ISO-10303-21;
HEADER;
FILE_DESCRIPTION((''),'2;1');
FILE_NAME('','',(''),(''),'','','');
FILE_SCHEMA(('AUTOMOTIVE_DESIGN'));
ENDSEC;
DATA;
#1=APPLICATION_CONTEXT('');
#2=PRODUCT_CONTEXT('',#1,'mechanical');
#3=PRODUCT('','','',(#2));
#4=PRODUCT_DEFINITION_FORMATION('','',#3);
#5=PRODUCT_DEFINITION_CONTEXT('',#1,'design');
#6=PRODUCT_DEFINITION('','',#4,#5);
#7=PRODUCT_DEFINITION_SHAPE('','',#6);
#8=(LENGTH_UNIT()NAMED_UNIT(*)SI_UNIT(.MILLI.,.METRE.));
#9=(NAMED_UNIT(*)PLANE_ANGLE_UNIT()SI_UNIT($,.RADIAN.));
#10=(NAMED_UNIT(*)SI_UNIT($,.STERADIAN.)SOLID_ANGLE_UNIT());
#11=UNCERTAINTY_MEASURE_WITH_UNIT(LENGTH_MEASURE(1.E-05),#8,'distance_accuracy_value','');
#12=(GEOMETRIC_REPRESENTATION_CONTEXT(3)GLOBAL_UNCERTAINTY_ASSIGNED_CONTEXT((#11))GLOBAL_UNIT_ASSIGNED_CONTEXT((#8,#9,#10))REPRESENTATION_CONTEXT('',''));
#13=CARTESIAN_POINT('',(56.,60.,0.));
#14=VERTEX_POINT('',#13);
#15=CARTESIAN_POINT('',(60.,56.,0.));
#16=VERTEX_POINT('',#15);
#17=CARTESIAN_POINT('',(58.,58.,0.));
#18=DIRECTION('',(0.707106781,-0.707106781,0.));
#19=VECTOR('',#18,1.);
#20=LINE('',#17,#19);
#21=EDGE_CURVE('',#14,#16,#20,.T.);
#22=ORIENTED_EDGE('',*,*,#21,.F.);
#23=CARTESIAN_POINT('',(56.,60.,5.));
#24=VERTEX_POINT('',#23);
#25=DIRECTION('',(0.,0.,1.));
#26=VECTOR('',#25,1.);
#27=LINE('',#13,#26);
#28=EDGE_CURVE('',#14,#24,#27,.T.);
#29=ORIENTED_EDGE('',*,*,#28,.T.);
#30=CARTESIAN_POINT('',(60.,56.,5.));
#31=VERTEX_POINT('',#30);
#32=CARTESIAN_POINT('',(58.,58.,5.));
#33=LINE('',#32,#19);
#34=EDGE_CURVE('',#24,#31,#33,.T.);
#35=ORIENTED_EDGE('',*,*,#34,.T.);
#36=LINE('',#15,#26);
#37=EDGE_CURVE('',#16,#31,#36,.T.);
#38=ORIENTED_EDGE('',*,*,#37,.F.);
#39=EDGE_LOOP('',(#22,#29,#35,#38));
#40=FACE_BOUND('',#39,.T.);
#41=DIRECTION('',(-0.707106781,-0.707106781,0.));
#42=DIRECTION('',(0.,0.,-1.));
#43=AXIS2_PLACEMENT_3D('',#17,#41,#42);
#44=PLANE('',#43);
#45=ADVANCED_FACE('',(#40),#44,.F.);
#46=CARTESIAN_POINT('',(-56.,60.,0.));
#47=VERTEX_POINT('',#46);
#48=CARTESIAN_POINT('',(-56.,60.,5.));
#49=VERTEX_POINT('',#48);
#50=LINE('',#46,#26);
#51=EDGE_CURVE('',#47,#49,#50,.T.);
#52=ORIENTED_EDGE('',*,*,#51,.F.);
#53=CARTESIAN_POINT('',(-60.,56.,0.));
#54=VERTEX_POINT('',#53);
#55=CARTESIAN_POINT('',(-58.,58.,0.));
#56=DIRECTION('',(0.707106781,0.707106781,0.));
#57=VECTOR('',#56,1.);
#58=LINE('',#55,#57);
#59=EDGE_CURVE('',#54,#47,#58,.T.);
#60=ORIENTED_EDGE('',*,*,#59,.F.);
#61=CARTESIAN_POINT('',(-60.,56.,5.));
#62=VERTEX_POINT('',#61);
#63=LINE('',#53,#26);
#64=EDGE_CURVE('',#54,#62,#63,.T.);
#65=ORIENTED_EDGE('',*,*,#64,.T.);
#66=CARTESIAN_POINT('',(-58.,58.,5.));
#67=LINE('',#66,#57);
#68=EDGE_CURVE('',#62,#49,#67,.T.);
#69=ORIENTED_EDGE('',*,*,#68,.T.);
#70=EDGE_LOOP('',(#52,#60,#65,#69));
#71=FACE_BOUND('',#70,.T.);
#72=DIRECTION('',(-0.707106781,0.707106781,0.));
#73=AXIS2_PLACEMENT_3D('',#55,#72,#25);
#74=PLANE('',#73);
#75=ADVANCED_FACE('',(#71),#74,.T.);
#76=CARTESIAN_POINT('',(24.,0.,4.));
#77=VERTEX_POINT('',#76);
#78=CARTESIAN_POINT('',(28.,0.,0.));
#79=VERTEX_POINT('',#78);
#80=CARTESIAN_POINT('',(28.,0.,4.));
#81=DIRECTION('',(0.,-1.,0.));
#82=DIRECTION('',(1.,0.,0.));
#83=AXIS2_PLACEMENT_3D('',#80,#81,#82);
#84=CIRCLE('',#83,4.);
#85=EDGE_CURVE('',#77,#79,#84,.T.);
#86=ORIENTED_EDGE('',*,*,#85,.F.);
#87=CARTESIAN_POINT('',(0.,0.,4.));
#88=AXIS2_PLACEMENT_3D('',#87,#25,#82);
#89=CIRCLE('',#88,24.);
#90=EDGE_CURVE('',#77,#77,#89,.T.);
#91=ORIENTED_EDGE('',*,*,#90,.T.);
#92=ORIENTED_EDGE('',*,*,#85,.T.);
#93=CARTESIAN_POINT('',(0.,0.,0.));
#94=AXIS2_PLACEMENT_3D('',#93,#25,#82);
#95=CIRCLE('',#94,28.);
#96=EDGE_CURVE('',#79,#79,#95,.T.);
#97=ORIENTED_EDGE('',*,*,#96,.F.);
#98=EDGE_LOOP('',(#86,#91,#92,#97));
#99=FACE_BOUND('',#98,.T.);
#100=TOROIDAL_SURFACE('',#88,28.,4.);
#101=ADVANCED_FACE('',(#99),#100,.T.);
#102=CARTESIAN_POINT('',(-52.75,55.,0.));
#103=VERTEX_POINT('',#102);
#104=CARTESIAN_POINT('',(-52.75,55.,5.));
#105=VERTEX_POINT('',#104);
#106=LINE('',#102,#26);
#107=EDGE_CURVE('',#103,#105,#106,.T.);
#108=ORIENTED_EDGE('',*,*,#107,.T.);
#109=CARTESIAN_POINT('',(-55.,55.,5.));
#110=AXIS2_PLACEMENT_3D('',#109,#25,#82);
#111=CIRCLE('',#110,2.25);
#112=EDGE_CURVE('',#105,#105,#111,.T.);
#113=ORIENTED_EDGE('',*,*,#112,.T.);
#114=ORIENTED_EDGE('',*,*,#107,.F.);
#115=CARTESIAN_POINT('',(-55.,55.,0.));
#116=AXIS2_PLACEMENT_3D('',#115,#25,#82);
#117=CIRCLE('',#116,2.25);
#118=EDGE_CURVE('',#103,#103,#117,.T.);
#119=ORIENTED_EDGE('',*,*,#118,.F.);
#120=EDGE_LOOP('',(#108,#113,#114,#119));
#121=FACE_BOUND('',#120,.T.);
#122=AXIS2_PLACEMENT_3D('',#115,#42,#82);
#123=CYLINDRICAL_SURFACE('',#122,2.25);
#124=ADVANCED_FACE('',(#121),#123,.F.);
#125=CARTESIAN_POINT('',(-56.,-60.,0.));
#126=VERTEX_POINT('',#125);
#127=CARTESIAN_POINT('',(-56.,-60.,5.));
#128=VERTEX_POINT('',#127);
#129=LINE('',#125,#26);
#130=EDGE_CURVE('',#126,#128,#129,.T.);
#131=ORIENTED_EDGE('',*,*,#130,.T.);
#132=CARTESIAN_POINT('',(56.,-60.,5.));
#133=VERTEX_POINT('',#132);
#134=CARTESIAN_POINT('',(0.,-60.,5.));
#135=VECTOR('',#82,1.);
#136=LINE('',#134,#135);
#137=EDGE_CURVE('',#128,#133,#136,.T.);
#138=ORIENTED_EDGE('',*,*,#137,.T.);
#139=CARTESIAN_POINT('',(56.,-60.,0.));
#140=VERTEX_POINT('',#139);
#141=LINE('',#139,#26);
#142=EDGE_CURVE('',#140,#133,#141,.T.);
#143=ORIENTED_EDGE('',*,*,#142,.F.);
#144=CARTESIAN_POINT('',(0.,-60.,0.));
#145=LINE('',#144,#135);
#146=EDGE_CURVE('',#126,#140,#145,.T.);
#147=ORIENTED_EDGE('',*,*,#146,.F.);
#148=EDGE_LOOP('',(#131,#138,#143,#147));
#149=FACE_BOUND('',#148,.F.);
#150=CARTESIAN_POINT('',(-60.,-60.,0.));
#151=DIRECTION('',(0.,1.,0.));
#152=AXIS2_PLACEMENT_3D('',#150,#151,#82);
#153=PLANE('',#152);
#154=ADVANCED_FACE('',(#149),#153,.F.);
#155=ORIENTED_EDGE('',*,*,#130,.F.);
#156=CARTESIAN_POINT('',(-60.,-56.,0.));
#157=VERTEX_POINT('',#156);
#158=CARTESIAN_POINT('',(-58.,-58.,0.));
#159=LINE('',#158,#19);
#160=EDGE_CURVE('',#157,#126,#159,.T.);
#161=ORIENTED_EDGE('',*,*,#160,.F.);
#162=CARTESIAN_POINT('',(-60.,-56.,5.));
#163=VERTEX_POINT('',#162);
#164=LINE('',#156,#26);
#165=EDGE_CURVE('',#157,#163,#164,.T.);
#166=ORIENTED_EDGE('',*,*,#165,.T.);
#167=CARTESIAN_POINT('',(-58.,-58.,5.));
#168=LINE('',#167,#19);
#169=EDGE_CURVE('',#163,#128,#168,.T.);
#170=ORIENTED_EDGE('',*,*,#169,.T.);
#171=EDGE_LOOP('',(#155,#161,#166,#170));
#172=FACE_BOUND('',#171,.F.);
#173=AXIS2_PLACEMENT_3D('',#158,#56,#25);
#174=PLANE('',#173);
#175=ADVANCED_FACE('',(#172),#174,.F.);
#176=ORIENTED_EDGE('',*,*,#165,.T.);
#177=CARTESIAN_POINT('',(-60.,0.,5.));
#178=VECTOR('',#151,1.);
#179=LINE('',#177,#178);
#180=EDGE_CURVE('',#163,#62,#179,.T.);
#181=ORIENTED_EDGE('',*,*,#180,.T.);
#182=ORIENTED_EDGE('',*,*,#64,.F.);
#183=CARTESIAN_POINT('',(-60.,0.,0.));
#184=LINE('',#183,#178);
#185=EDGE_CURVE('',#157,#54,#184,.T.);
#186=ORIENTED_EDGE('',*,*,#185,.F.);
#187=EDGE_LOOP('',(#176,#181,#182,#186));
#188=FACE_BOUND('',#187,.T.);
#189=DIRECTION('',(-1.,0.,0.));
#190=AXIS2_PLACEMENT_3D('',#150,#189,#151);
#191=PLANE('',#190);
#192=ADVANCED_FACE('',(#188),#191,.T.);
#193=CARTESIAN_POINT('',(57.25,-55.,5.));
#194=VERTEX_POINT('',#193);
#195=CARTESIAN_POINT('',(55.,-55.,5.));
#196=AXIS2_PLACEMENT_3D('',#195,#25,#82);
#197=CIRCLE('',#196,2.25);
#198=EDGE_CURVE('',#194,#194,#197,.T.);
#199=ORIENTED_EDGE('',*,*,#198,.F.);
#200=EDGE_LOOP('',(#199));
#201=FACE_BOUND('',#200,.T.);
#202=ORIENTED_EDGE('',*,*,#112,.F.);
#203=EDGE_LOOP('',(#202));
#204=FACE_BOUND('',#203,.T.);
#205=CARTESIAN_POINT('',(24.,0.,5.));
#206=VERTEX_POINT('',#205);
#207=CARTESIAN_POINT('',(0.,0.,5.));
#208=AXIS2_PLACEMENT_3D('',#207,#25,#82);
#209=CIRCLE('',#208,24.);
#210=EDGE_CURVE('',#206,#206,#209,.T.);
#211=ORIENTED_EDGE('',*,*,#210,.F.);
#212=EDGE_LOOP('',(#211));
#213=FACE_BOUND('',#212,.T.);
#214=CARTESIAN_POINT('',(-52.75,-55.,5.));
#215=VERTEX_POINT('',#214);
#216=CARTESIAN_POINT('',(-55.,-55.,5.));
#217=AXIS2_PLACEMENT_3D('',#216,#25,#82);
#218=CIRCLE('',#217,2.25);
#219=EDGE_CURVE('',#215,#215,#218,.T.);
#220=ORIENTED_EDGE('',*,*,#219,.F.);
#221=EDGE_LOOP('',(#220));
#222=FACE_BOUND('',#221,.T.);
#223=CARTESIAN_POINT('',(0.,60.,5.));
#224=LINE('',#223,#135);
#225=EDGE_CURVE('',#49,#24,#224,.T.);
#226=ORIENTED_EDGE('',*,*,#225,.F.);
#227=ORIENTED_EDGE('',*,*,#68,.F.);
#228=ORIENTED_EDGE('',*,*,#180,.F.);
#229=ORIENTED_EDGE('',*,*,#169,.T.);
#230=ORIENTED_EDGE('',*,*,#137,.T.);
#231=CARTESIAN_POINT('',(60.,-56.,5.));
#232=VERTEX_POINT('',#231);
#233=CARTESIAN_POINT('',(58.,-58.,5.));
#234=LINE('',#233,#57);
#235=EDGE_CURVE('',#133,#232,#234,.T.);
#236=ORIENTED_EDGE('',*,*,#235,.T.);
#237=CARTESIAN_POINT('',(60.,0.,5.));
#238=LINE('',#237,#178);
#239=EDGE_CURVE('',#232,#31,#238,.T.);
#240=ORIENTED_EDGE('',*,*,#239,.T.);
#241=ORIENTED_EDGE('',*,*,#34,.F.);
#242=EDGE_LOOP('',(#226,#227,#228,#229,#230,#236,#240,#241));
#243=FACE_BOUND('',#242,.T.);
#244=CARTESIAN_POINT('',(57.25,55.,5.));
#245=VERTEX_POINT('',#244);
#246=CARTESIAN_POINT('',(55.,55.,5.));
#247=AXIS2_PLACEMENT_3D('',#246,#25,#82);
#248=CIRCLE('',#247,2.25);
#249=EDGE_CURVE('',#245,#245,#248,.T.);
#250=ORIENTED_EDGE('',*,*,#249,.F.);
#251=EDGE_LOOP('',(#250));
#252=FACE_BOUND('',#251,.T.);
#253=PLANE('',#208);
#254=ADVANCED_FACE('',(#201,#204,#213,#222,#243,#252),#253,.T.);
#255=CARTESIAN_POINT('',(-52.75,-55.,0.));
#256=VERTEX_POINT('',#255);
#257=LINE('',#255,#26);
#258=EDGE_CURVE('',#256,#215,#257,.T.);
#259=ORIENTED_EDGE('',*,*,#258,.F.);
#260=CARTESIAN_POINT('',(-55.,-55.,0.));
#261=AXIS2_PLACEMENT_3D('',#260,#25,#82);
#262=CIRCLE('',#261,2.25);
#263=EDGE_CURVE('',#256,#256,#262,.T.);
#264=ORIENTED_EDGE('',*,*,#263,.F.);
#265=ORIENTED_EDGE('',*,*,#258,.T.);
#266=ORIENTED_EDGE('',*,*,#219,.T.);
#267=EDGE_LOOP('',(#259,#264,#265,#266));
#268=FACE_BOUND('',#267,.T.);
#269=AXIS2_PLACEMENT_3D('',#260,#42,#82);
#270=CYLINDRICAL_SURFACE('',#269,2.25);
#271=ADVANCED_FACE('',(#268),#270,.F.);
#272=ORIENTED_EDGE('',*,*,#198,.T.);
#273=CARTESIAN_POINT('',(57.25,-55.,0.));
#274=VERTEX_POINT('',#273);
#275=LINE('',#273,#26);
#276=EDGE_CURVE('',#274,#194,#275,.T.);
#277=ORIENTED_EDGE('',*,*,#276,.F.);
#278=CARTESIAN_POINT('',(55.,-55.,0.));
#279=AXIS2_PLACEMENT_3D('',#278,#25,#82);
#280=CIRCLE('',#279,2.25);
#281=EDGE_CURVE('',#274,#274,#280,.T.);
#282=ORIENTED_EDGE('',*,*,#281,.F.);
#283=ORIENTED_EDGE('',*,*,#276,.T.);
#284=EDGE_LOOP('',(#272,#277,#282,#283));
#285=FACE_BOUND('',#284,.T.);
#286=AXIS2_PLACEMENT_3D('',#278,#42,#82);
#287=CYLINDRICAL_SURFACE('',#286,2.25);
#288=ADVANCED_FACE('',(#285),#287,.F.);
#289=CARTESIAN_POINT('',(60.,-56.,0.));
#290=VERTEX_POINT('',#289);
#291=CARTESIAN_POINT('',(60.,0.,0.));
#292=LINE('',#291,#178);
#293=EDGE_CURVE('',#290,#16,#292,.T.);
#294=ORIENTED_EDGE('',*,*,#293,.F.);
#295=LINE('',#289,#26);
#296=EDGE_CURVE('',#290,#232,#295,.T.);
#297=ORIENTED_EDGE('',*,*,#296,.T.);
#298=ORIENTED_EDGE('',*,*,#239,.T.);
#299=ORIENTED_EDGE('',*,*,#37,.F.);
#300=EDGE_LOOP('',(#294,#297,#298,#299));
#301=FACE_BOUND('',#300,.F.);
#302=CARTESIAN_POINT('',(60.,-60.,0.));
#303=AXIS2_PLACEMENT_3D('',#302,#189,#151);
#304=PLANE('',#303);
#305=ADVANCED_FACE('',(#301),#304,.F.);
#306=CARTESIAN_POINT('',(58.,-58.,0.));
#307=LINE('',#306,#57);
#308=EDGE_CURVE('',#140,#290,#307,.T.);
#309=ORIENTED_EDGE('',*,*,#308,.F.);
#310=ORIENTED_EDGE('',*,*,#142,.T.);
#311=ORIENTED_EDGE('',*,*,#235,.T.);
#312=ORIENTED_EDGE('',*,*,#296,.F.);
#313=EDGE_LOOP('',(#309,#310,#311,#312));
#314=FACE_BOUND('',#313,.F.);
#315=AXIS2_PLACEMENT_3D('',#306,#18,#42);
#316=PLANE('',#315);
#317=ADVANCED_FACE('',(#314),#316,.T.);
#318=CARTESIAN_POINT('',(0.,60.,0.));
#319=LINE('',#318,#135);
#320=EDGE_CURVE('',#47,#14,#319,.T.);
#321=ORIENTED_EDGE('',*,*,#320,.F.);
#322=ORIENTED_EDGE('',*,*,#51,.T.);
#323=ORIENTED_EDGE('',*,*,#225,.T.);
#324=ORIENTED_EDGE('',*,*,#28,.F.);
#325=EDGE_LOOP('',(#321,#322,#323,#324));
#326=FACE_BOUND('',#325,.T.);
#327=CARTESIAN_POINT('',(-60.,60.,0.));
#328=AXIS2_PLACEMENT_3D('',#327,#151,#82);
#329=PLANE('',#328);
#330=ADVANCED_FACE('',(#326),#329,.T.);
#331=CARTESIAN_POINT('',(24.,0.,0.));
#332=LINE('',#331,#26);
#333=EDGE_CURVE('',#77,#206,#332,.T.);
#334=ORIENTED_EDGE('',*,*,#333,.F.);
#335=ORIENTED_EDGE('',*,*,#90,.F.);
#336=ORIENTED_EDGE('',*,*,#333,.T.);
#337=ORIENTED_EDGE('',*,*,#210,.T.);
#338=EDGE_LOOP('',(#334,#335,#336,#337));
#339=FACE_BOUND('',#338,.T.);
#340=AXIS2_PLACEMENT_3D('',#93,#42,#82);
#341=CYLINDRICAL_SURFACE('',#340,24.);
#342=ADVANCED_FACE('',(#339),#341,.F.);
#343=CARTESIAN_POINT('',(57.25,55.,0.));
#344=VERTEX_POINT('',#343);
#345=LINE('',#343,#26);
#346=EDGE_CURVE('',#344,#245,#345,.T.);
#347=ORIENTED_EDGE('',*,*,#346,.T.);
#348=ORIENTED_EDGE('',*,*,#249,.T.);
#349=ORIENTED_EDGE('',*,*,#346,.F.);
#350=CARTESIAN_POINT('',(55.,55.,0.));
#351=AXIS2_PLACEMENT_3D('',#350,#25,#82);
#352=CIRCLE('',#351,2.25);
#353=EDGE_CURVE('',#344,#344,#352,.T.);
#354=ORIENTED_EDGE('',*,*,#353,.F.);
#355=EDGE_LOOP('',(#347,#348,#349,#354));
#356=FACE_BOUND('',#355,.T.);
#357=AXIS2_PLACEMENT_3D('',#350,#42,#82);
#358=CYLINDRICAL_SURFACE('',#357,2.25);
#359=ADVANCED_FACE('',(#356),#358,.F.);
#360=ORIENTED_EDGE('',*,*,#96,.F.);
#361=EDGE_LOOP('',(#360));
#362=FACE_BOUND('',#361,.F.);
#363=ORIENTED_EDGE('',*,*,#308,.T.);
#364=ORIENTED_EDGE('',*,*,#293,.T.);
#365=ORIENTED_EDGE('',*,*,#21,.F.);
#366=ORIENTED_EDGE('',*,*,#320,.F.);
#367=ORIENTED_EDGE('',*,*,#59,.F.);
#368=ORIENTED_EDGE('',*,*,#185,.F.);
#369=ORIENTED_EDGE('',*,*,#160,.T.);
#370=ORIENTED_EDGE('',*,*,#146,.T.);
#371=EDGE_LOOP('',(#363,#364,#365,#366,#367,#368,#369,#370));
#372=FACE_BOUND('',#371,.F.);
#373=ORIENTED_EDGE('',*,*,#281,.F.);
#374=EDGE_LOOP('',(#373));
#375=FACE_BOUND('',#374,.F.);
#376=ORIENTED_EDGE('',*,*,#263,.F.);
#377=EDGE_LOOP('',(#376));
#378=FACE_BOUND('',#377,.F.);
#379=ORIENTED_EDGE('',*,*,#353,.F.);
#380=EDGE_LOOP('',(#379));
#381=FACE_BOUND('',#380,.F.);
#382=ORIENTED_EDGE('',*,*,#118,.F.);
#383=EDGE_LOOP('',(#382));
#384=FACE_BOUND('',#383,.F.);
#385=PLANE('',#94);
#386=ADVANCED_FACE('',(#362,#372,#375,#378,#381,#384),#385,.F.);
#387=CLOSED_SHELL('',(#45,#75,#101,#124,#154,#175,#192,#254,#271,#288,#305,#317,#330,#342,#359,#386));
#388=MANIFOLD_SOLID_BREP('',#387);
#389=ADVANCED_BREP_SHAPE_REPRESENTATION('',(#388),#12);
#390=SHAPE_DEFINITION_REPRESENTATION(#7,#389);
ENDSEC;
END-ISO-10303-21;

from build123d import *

# Parameters (mm, degrees)
SKETCH_W     = 120
SKETCH_H     = 120
SKETCH_R     = 2.25
SKETCH_R_2   = 24
PAD_DEPTH    = 5
FILLET_R     = 4
CHAMFER_SIZE = 4


with BuildPart() as part:
    # Sketch → Pad (new body)
    with BuildSketch(Plane.XY):
        Rectangle(SKETCH_W, SKETCH_H)
        with Locations((-55, 55)):
            Circle(SKETCH_R, mode=Mode.SUBTRACT)
        with Locations((55, 55)):
            Circle(SKETCH_R, mode=Mode.SUBTRACT)
        with Locations((55, -55)):
            Circle(SKETCH_R, mode=Mode.SUBTRACT)
        with Locations((-55, -55)):
            Circle(SKETCH_R, mode=Mode.SUBTRACT)
        Circle(SKETCH_R_2, mode=Mode.SUBTRACT)
    extrude(amount=PAD_DEPTH)

    # Fillet
    fillet_edges = [part.edges().sort_by_distance(p)[0] for p in [
        (-24, 0, 0),
    ]]
    fillet(fillet_edges, radius=FILLET_R)

    # Chamfer
    chamfer_edges = [part.edges().sort_by_distance(p)[0] for p in [
        (-60, -60, 2.5),
        (60, -60, 2.5),
        (60, 60, 2.5),
        (-60, 60, 2.5),
    ]]
    chamfer(chamfer_edges, length=CHAMFER_SIZE)


solid = part.part
